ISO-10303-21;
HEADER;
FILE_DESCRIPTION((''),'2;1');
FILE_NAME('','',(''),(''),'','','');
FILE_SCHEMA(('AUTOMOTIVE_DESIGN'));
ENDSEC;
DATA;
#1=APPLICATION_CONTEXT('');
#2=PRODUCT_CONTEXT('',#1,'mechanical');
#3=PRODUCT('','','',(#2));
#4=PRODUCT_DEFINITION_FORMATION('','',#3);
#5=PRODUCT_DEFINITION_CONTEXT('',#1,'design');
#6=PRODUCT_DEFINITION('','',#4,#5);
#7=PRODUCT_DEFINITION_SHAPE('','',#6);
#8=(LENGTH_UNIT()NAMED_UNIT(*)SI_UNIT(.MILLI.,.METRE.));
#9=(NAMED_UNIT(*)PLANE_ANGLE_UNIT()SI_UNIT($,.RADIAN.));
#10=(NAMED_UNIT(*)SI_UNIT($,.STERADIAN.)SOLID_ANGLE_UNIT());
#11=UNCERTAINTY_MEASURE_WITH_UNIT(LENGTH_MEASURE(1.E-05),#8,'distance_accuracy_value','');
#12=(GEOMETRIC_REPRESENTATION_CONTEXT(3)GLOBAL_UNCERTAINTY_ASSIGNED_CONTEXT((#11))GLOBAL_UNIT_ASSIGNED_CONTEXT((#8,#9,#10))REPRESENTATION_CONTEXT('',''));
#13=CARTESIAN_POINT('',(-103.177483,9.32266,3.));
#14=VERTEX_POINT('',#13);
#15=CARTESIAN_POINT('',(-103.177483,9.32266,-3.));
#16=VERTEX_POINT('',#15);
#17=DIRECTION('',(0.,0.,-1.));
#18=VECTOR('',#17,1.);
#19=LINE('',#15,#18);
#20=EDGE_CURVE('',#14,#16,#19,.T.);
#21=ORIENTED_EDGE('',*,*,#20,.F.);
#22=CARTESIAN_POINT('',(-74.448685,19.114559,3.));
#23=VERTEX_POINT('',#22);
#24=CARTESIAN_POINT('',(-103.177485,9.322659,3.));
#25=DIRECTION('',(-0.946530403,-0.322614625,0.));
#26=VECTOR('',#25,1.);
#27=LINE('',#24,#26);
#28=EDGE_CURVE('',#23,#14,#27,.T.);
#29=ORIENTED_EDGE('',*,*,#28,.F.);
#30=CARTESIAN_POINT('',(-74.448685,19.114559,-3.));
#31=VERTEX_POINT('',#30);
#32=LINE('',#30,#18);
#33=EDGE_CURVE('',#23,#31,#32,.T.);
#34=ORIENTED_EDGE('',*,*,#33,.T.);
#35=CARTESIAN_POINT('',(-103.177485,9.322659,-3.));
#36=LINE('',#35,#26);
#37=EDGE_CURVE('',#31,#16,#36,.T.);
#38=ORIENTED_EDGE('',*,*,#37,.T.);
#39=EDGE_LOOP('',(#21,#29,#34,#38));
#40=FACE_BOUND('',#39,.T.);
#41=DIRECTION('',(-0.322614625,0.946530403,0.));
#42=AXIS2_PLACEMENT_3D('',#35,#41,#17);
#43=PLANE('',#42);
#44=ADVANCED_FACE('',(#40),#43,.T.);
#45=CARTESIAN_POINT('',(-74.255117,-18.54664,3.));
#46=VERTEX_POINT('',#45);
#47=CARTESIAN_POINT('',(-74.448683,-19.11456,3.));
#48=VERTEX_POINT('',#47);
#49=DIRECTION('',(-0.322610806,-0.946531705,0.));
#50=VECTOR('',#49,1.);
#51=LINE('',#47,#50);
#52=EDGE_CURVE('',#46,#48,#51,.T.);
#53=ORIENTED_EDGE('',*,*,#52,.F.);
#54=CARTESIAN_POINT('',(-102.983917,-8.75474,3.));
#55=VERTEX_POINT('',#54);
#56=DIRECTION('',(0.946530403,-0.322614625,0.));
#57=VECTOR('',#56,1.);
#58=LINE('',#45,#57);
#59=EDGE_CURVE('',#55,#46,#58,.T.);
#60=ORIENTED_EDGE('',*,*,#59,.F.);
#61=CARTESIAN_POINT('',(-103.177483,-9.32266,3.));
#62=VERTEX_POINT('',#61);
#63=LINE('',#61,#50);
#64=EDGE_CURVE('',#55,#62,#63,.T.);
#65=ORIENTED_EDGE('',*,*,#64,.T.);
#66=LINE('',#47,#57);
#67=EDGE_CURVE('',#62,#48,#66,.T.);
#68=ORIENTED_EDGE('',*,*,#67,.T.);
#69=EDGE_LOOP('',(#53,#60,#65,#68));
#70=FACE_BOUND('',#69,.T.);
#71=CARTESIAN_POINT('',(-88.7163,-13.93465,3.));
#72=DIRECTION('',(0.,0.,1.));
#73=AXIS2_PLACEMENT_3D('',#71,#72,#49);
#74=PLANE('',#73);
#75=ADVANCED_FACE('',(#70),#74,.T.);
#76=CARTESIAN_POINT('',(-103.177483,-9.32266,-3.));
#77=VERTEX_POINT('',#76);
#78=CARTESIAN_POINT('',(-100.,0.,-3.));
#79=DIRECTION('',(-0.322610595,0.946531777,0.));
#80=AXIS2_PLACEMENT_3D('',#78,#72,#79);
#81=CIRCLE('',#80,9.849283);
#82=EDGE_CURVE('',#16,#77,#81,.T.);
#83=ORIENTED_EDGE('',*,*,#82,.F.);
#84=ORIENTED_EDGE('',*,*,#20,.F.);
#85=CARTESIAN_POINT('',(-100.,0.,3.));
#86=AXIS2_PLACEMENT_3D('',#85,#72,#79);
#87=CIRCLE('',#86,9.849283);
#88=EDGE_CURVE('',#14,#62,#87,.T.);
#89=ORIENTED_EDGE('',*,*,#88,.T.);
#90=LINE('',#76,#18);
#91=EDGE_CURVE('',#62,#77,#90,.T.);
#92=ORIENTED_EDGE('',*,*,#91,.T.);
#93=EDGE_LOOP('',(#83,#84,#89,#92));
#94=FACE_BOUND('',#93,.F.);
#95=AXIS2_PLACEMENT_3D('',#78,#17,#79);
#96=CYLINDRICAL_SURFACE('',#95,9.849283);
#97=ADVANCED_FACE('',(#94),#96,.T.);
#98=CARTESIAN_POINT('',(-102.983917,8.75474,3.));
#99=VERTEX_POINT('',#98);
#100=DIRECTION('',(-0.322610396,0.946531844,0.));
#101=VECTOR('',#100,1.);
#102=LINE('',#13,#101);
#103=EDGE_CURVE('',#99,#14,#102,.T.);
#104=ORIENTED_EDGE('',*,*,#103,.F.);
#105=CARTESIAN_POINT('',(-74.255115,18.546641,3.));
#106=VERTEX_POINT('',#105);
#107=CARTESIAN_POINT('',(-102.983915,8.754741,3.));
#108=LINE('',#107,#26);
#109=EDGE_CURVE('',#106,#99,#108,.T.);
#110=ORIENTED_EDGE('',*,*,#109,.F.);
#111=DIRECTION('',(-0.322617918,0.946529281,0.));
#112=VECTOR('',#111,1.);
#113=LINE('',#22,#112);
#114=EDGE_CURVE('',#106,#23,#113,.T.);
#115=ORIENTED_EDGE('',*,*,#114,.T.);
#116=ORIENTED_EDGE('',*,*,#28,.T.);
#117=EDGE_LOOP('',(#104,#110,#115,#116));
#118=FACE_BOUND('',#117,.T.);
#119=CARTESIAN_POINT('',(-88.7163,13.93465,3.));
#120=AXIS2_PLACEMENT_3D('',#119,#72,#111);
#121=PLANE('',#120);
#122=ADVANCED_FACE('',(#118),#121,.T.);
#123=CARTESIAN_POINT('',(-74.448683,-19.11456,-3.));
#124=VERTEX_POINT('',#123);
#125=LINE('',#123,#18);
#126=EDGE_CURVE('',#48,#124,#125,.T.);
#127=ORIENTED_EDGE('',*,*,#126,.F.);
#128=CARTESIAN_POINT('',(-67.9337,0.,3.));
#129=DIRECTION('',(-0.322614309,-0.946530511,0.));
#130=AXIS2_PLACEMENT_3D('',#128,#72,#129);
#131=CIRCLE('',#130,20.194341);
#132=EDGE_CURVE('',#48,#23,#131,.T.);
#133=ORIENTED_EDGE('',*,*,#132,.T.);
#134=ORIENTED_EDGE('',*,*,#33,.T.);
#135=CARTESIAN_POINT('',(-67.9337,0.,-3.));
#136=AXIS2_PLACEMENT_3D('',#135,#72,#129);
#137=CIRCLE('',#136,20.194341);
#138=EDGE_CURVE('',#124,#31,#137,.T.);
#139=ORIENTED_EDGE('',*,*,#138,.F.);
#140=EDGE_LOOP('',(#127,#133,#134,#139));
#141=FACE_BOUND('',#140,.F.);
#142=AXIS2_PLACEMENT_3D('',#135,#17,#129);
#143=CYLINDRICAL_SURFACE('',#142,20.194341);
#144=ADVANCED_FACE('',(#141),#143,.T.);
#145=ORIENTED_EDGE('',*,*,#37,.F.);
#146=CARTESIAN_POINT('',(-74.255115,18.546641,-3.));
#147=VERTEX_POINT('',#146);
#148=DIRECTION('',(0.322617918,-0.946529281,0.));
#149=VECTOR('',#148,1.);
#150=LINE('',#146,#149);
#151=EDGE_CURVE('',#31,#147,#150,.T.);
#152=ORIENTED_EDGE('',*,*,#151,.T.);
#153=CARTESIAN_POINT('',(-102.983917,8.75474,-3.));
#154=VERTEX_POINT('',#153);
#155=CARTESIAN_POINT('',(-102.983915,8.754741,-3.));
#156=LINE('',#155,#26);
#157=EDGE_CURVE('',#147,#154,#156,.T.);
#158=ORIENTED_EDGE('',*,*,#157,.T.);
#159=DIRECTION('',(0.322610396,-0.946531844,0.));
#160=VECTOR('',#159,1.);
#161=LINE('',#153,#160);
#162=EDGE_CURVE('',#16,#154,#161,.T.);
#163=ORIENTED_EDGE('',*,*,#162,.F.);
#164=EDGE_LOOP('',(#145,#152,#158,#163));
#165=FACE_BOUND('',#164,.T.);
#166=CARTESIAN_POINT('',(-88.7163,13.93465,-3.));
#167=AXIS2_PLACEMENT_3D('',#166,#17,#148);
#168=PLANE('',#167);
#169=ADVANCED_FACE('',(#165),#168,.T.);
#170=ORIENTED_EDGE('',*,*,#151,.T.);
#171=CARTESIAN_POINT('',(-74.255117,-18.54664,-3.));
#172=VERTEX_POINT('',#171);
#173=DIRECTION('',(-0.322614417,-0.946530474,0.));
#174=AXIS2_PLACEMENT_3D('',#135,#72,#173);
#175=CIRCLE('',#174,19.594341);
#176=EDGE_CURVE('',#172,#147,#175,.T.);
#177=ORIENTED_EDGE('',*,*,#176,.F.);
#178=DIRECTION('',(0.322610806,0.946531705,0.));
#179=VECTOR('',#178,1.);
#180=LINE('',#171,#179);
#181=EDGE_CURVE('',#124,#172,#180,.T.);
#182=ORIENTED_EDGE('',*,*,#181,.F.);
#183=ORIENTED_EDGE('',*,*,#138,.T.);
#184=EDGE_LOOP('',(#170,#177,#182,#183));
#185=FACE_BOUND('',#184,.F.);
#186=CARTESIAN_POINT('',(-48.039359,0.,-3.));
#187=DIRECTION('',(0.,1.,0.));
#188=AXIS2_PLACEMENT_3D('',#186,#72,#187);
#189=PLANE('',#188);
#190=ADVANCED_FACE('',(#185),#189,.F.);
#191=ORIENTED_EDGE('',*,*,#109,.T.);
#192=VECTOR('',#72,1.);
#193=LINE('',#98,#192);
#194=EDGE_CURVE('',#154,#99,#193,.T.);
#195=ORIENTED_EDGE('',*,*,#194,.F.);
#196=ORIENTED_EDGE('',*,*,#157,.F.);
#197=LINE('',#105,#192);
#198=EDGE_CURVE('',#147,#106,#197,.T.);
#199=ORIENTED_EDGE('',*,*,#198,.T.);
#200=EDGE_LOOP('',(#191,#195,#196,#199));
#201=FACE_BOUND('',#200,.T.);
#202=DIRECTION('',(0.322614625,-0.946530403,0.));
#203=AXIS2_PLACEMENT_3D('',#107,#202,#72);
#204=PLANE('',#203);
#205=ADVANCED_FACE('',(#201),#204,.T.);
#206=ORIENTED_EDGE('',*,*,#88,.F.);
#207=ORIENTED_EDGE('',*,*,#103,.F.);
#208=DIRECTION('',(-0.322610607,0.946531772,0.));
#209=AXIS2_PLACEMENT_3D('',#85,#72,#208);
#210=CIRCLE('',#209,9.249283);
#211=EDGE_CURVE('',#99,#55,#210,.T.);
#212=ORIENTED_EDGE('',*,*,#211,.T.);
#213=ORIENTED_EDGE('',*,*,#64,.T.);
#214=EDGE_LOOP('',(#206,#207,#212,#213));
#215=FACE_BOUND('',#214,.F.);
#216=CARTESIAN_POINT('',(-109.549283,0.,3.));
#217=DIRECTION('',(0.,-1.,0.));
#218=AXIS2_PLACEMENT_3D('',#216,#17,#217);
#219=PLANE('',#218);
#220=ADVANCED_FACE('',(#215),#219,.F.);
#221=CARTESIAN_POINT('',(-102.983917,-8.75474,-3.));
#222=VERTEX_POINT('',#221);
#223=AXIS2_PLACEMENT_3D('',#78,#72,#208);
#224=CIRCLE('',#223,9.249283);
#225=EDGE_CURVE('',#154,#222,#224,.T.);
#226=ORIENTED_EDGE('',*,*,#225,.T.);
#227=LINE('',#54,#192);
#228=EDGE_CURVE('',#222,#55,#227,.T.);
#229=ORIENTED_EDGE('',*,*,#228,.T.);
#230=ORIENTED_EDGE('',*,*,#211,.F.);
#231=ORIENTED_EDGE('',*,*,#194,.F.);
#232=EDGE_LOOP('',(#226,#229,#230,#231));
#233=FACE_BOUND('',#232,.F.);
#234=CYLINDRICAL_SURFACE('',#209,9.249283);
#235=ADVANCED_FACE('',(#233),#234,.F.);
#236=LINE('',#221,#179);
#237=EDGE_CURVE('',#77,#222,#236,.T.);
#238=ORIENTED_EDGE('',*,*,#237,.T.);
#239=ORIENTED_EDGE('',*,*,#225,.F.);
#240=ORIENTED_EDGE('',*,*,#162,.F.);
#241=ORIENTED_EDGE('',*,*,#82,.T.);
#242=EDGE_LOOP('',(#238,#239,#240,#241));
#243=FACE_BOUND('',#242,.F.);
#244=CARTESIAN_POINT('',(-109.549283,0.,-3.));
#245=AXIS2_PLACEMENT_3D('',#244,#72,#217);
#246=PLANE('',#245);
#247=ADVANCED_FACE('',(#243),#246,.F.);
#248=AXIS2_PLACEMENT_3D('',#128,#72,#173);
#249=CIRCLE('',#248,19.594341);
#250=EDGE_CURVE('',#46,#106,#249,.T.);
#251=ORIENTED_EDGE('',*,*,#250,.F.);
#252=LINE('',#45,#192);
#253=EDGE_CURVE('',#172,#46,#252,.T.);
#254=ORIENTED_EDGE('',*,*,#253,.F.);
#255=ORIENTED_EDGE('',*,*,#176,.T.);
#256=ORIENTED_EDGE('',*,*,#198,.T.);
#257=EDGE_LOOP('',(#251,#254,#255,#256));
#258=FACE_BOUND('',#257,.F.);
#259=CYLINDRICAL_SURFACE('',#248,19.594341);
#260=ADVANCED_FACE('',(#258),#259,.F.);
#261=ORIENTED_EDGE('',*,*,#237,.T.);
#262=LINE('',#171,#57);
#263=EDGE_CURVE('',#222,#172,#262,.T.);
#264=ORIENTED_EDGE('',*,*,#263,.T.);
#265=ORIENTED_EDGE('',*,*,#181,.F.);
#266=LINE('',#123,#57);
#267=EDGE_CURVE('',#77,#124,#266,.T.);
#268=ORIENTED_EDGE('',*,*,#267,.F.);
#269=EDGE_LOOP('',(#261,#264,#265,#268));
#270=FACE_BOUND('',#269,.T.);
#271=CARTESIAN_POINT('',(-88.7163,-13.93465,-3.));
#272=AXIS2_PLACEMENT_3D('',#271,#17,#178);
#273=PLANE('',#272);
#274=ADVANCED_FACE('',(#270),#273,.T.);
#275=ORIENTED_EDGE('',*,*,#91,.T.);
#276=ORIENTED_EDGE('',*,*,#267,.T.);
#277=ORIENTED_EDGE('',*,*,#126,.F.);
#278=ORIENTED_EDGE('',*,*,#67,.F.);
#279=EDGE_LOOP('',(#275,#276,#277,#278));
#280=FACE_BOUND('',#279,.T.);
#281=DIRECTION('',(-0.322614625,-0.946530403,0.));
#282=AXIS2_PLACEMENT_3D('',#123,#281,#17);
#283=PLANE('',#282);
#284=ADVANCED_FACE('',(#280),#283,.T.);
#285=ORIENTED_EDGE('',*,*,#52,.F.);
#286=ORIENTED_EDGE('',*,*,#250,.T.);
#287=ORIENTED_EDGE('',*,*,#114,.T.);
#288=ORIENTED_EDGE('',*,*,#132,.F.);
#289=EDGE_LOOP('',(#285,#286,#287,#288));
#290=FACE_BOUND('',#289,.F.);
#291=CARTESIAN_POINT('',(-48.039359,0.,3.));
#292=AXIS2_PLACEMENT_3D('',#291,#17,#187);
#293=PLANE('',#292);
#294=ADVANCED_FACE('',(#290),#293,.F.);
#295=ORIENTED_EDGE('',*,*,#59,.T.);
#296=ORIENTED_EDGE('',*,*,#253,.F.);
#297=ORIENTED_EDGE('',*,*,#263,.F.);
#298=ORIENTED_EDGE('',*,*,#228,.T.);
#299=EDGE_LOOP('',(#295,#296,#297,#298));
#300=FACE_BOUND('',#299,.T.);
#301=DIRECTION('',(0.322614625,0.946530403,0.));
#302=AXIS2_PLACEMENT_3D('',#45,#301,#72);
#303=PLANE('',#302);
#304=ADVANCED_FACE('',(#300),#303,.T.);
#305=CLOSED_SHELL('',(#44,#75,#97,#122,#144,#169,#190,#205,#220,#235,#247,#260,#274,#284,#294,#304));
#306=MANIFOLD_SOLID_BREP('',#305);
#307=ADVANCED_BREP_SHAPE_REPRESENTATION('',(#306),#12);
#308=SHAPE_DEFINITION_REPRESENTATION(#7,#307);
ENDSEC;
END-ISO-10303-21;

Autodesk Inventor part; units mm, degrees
sketch "Skizzenpfad" plane through (0, 0, 0) normal (0, 0, 1) x (1, 0, 0)
  arc A0 (-103.0807, 9.0387) -> (-103.0807, -9.0387) centre (-100, 0) ccw
  arc A1 (-74.3519, -18.8306) -> (-74.3519, 18.8306) centre (-67.9337, 0) ccw
  line L0 (-74.3519, -18.8306) -> (-103.0807, -9.0387)
  line L1 (-103.0807, 9.0387) -> (-74.3519, 18.8306)
ref_plane "Querschnittsebene" through (-103.0807, -9.0387, 0) normal (0.9465, -0.3226, 0) x (0, 0, 1)
ref_plane "Arbeitsebene2" through (-100, 0, 0) normal (-1, 0, 0) x (0, 0, 1)
ref_plane "Arbeitsebene3" through (-67.9337, 0, 0) normal (-0.9511, -0.309, 0) x (0, 0, 1)
sketch "Querschnitt" plane through (-103.0807, -9.0387, 0) normal (0.9465, -0.3226, 0) x (0, 0, 1)
  line L0 (-3, 0.3) -> (3, 0.3)
  line L1 (3, 0.3) -> (3, -0.3)
  line L2 (3, -0.3) -> (-3, -0.3)
  line L3 (-3, -0.3) -> (-3, 0.3)
  line L4 (-3, 0) -> (3, 0) construction
  point P0 (0, 0)
  point P1 (0, 0)
  dimension "d0" = 6
  dimension "d4" = 0.3
  dimension "d5" = 0.3
sweep "Riemen" add profiles "Querschnitt" path "Skizzenpfad"
equation "\"d0\" = da_B"
equation "\"d4\" = da_a"
equation "\"d5\" = da_a2"
equation "\"da_B\" = 6"
equation "\"da_pb\" = 2.5"
equation "\"da_a\" = 0.3"
equation "\"da_S\" = 1.5"
equation "\"da_Beta\" = 20deg"
equation "\"da_Ht\" = 0.7"
equation "\"da_H\" = 1.3"
equation "\"da_a2\" = 0.3"
properties part number "Zahnriemen" material "Rubber"
